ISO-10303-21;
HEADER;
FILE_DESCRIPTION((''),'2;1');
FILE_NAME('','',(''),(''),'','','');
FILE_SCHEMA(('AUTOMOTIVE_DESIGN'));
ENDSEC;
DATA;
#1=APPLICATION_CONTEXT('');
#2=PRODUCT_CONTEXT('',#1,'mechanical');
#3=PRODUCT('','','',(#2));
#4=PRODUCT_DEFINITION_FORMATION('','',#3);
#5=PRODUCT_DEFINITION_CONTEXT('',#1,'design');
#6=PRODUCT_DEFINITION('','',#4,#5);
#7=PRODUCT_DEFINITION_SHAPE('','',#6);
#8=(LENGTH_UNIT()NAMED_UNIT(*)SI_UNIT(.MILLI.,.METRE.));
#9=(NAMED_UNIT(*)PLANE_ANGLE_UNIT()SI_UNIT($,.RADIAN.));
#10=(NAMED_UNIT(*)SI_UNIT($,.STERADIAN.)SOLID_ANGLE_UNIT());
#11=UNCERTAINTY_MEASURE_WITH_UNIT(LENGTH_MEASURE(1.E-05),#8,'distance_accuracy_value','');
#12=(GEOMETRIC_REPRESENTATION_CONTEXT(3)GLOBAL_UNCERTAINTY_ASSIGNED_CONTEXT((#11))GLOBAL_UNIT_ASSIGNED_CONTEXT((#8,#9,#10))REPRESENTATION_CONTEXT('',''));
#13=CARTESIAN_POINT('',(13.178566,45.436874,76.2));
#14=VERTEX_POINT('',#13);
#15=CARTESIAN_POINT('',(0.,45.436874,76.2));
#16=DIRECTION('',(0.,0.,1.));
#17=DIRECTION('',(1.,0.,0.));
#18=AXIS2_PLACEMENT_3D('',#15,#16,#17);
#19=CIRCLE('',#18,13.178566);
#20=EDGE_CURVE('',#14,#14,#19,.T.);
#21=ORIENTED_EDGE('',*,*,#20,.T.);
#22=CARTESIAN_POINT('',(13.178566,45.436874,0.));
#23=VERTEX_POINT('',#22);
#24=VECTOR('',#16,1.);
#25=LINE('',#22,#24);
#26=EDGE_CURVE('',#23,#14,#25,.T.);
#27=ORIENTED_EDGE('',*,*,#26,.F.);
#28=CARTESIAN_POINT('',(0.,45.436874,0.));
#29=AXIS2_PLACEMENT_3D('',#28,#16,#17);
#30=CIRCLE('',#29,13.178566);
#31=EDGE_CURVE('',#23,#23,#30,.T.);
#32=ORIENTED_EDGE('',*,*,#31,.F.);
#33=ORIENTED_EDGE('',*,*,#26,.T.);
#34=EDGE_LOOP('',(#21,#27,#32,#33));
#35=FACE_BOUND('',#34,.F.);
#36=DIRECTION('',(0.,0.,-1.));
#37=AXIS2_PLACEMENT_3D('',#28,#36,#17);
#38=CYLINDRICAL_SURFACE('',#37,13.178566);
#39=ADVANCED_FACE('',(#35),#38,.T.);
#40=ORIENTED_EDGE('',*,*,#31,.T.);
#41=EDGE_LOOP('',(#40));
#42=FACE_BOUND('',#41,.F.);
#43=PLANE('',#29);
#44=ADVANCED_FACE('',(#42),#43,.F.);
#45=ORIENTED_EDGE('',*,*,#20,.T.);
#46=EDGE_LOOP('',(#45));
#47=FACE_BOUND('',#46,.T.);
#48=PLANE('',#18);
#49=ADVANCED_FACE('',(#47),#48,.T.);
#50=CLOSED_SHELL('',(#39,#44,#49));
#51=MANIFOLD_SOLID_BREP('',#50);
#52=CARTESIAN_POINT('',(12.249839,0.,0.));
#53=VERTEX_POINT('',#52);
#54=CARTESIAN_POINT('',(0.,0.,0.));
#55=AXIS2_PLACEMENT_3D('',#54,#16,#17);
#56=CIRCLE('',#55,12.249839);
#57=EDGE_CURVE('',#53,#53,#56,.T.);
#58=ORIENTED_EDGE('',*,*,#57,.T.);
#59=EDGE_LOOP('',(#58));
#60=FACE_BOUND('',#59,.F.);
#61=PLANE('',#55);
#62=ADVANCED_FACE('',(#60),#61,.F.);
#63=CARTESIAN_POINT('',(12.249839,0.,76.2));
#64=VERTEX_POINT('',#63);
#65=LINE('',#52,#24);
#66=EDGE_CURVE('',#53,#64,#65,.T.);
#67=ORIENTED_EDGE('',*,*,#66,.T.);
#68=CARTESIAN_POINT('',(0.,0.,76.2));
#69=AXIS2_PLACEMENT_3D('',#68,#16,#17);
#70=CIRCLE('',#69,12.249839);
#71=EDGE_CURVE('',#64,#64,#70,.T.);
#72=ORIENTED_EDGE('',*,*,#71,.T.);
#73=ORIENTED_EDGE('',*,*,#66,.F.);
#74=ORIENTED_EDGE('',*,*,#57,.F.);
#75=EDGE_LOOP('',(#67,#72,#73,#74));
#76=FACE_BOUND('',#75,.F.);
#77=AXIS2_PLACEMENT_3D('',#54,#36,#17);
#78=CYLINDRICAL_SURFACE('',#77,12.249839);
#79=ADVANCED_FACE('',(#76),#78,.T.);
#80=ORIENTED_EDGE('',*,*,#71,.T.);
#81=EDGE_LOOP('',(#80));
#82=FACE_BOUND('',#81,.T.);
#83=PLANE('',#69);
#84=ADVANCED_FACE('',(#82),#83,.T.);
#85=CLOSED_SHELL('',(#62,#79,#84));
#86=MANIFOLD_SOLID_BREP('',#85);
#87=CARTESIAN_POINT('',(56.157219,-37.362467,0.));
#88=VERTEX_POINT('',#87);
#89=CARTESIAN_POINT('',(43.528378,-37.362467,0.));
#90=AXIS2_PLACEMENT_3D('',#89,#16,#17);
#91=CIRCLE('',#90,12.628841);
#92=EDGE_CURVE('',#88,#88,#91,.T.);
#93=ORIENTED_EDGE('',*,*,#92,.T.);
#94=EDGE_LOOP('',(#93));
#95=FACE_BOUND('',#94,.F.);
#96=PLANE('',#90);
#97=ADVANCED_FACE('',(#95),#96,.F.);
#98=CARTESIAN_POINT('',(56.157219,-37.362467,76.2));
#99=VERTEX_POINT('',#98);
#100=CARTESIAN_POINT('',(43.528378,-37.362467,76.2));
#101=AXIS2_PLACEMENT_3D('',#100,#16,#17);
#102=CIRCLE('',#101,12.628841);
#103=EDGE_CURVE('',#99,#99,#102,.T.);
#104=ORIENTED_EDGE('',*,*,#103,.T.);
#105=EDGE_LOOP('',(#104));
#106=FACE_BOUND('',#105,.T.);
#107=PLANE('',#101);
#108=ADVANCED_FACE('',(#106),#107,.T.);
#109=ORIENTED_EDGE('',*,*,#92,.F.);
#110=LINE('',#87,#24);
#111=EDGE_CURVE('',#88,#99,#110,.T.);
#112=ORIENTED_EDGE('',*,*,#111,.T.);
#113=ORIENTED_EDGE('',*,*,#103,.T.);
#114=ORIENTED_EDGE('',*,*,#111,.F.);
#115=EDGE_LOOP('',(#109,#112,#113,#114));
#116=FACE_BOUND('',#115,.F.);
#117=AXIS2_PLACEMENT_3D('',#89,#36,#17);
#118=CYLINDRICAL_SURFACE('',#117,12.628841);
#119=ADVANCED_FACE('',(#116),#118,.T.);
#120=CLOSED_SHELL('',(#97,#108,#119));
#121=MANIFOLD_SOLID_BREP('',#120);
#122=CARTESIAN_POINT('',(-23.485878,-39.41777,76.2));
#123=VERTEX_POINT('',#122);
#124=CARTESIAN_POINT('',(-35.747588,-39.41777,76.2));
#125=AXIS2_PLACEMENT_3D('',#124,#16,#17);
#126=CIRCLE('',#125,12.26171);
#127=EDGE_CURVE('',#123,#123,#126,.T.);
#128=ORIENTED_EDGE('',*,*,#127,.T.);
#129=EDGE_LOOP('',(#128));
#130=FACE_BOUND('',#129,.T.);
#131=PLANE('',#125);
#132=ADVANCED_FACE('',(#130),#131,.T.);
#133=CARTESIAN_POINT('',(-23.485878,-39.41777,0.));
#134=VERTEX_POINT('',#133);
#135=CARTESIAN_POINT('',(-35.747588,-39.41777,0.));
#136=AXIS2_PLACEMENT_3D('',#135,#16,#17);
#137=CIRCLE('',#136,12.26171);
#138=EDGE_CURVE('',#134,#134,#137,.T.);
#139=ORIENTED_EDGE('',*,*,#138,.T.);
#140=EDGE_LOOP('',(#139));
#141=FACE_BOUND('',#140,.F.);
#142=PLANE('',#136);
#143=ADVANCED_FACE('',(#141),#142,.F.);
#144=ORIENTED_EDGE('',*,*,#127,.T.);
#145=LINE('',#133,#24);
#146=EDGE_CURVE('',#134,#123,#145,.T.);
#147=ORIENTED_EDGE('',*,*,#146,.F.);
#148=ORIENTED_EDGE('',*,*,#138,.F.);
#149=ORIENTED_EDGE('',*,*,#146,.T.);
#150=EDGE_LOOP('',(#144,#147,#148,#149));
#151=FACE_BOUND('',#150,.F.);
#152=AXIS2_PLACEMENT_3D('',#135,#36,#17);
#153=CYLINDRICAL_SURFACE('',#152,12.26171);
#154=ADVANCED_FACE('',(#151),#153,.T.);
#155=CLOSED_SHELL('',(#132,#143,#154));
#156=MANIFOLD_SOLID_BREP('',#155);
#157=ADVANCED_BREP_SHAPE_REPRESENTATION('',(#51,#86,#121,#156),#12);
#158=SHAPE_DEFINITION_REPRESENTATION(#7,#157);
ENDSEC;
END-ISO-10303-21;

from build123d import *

# Parameters (mm, degrees)
F0_R     = 13.178566
F0_R_2   = 12.249839
F0_R_3   = 12.628841
F0_R_4   = 12.26171
F1_DEPTH = 76.2


with BuildPart() as f1:
    # F0 (on Top) → F1 (new body)
    with BuildSketch(Plane.XY):
        with Locations((0, 45.436874)):
            Circle(F0_R)
        Circle(F0_R_2)
        with Locations((43.528378, -37.362467)):
            Circle(F0_R_3)
        with Locations((-35.747588, -39.41777)):
            Circle(F0_R_4)
    extrude(amount=F1_DEPTH)


solid = f1.part
